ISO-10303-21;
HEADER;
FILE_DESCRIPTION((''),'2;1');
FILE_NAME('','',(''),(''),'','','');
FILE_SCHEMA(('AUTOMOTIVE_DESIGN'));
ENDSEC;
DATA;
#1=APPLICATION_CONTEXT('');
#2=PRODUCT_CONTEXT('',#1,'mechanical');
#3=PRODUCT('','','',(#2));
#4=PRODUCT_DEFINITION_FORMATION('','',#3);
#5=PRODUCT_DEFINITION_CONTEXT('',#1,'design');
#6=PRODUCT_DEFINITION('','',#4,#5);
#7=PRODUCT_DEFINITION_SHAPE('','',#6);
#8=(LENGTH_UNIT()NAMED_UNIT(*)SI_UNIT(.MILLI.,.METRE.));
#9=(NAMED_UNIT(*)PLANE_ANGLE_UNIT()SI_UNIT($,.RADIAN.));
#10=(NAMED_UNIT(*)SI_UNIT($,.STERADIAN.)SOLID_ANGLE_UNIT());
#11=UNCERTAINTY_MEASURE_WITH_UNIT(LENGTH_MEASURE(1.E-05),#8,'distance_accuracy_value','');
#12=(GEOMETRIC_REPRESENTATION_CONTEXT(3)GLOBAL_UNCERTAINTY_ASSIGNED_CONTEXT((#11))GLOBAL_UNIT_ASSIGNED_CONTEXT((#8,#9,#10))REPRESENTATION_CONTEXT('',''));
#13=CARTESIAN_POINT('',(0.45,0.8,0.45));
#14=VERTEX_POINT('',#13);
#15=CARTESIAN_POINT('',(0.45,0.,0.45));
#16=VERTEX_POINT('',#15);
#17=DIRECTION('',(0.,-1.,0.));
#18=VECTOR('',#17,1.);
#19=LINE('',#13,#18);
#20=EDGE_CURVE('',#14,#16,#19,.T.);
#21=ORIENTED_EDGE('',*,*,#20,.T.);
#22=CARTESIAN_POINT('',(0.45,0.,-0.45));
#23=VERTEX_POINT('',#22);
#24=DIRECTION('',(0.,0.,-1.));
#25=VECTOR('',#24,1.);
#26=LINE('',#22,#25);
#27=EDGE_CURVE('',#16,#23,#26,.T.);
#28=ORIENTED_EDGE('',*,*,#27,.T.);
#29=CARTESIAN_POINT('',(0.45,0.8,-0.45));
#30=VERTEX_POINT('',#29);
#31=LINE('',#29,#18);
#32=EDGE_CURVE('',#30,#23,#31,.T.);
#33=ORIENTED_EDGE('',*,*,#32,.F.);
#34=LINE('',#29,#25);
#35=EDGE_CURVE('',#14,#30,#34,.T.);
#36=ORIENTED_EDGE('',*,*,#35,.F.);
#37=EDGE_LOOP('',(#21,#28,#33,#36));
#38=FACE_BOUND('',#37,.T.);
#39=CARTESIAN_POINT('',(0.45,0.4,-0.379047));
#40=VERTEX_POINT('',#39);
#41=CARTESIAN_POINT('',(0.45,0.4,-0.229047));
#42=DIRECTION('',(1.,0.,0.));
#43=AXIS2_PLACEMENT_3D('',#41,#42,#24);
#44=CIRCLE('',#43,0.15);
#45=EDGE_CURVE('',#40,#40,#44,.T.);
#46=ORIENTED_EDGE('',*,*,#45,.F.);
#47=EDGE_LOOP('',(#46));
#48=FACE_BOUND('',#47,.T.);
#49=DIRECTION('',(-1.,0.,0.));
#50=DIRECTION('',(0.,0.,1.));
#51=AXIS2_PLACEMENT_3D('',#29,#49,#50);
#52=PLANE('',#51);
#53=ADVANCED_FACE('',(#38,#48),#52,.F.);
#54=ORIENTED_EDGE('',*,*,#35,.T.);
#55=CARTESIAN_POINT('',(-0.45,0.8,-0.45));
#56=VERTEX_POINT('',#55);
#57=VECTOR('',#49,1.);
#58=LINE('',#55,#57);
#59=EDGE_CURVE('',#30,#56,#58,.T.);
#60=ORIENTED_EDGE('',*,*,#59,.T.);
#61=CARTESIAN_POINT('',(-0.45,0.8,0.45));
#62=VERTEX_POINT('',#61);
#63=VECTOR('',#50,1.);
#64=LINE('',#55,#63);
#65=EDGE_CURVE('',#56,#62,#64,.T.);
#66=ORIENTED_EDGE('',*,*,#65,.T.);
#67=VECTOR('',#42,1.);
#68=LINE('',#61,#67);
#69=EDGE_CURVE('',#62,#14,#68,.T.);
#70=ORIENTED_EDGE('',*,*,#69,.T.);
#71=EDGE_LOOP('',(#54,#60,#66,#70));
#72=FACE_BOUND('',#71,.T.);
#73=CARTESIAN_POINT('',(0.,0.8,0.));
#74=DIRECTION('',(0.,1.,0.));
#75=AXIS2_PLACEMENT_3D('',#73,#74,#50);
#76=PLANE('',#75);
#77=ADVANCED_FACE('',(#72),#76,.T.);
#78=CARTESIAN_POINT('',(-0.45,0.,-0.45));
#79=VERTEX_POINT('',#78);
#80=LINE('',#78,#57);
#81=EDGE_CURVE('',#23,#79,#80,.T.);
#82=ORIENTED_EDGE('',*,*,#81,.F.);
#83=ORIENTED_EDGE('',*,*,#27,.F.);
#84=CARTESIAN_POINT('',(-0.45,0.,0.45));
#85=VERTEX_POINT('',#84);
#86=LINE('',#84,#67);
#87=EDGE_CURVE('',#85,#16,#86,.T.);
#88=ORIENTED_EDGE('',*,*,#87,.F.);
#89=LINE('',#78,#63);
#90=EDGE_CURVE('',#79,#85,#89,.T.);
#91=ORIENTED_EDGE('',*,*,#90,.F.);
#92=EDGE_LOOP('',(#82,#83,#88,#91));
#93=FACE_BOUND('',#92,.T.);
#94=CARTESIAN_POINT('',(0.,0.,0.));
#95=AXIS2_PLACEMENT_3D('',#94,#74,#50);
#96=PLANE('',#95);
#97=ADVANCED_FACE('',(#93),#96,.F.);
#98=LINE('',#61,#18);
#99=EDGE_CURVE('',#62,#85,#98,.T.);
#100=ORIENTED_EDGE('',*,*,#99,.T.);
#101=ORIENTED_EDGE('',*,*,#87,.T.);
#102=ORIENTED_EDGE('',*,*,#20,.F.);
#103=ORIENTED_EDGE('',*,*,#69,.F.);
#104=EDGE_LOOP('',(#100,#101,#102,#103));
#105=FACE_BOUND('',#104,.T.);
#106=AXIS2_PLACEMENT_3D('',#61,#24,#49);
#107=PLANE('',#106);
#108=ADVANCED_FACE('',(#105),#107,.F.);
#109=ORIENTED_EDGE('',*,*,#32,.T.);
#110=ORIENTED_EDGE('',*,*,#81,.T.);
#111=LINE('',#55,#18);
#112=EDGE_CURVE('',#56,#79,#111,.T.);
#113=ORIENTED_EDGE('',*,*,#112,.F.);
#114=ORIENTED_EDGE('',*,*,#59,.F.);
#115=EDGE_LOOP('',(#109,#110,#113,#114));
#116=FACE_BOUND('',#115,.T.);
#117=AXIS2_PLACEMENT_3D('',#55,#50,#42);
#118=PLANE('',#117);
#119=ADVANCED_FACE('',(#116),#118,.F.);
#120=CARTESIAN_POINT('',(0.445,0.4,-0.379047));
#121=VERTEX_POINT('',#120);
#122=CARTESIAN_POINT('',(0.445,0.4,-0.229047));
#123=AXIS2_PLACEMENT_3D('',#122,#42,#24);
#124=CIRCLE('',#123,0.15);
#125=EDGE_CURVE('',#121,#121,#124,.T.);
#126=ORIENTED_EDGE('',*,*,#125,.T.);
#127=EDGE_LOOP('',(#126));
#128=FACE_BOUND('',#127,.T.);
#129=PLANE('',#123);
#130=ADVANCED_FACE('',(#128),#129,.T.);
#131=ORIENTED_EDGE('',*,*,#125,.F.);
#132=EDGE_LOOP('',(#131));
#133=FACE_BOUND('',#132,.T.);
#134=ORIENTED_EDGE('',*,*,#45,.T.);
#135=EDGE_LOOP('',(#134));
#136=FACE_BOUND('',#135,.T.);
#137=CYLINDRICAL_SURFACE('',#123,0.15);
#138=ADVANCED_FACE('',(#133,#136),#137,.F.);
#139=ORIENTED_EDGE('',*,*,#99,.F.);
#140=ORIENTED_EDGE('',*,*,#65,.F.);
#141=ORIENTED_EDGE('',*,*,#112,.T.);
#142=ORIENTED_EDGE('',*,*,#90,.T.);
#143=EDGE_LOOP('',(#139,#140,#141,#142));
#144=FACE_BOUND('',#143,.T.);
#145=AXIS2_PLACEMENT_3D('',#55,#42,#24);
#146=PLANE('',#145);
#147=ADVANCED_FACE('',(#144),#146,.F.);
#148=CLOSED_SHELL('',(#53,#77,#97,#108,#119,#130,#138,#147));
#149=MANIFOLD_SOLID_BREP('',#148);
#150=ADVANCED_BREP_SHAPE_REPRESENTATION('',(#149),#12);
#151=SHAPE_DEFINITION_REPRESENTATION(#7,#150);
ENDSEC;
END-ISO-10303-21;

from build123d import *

# Parameters (mm, degrees)
SKETCH1_W           = 0.9
SKETCH1_H           = 0.9
BOSS_EXTRUDE1_DEPTH = 0.8
SKETCH2_R           = 0.15
CUT_EXTRUDE1_DEPTH  = 0.005


with BuildPart() as part:
    # Sketch1 → Boss-Extrude1 (new body)
    with BuildSketch(Plane(origin=(0, 0, 0), x_dir=(1, 0, 0), z_dir=(0, 1, 0))):
        Rectangle(SKETCH1_W, SKETCH1_H)
    extrude(amount=BOSS_EXTRUDE1_DEPTH)

    # Sketch2 → Cut-Extrude1 (cut)
    with BuildSketch(Plane(origin=(0.45, 0, 0), x_dir=(0, 0, -1), z_dir=(1, 0, 0))):
        with Locations((0.229047371, 0.4)):
            Circle(SKETCH2_R)
    extrude(amount=-CUT_EXTRUDE1_DEPTH, mode=Mode.SUBTRACT)


solid = part.part
